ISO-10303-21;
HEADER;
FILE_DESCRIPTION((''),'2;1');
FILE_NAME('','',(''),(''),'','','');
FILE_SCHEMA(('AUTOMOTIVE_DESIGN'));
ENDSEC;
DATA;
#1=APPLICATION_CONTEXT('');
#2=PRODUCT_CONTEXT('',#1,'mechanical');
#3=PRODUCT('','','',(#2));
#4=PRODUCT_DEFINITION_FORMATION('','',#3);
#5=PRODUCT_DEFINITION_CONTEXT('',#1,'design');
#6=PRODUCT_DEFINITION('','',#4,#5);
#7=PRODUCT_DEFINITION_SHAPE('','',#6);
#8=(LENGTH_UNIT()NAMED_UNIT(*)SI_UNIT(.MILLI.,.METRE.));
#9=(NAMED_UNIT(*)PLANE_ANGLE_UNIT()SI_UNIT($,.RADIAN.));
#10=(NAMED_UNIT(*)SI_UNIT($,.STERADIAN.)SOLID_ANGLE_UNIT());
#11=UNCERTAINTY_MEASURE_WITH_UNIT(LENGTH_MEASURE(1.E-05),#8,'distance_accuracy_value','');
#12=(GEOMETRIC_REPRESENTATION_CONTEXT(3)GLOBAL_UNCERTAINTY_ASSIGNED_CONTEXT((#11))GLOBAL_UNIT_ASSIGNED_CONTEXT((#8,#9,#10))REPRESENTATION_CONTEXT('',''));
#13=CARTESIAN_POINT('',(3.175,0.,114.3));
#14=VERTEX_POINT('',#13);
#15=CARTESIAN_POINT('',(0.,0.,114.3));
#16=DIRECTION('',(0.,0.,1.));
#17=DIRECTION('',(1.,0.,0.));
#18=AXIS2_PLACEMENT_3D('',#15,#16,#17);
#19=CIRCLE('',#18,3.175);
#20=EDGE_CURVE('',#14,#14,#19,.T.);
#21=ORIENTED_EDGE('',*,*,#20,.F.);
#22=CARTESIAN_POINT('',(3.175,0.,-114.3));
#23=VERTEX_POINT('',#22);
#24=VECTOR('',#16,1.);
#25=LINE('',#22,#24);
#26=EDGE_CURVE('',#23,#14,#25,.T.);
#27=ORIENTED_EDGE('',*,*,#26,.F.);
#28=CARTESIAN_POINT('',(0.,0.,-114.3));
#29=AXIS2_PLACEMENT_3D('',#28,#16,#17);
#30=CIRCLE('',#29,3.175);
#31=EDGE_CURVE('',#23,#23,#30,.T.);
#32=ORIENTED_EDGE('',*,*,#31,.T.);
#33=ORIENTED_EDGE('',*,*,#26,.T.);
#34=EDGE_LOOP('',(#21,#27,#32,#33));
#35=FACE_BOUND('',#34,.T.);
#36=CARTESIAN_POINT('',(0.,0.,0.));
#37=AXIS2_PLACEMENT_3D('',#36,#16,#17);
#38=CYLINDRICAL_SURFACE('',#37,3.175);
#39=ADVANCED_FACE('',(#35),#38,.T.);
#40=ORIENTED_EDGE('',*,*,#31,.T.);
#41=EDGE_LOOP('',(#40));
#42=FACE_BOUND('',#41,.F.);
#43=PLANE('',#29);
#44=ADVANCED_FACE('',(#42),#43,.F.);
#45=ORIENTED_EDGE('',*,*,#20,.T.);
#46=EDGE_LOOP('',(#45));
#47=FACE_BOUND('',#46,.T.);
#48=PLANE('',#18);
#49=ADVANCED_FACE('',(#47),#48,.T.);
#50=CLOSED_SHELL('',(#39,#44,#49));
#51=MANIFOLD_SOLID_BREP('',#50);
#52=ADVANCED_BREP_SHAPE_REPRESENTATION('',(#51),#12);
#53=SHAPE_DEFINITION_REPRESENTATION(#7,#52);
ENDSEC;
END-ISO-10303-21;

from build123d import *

# Parameters (mm, degrees)
SKETCH1_R           = 3.175
BOSS_EXTRUDE1_DEPTH = 114.3


with BuildPart() as part:
    # Sketch1 → Boss-Extrude1 (new body, symmetric)
    with BuildSketch(Plane.XY):
        Circle(SKETCH1_R)
    extrude(amount=BOSS_EXTRUDE1_DEPTH, both=True)


solid = part.part
